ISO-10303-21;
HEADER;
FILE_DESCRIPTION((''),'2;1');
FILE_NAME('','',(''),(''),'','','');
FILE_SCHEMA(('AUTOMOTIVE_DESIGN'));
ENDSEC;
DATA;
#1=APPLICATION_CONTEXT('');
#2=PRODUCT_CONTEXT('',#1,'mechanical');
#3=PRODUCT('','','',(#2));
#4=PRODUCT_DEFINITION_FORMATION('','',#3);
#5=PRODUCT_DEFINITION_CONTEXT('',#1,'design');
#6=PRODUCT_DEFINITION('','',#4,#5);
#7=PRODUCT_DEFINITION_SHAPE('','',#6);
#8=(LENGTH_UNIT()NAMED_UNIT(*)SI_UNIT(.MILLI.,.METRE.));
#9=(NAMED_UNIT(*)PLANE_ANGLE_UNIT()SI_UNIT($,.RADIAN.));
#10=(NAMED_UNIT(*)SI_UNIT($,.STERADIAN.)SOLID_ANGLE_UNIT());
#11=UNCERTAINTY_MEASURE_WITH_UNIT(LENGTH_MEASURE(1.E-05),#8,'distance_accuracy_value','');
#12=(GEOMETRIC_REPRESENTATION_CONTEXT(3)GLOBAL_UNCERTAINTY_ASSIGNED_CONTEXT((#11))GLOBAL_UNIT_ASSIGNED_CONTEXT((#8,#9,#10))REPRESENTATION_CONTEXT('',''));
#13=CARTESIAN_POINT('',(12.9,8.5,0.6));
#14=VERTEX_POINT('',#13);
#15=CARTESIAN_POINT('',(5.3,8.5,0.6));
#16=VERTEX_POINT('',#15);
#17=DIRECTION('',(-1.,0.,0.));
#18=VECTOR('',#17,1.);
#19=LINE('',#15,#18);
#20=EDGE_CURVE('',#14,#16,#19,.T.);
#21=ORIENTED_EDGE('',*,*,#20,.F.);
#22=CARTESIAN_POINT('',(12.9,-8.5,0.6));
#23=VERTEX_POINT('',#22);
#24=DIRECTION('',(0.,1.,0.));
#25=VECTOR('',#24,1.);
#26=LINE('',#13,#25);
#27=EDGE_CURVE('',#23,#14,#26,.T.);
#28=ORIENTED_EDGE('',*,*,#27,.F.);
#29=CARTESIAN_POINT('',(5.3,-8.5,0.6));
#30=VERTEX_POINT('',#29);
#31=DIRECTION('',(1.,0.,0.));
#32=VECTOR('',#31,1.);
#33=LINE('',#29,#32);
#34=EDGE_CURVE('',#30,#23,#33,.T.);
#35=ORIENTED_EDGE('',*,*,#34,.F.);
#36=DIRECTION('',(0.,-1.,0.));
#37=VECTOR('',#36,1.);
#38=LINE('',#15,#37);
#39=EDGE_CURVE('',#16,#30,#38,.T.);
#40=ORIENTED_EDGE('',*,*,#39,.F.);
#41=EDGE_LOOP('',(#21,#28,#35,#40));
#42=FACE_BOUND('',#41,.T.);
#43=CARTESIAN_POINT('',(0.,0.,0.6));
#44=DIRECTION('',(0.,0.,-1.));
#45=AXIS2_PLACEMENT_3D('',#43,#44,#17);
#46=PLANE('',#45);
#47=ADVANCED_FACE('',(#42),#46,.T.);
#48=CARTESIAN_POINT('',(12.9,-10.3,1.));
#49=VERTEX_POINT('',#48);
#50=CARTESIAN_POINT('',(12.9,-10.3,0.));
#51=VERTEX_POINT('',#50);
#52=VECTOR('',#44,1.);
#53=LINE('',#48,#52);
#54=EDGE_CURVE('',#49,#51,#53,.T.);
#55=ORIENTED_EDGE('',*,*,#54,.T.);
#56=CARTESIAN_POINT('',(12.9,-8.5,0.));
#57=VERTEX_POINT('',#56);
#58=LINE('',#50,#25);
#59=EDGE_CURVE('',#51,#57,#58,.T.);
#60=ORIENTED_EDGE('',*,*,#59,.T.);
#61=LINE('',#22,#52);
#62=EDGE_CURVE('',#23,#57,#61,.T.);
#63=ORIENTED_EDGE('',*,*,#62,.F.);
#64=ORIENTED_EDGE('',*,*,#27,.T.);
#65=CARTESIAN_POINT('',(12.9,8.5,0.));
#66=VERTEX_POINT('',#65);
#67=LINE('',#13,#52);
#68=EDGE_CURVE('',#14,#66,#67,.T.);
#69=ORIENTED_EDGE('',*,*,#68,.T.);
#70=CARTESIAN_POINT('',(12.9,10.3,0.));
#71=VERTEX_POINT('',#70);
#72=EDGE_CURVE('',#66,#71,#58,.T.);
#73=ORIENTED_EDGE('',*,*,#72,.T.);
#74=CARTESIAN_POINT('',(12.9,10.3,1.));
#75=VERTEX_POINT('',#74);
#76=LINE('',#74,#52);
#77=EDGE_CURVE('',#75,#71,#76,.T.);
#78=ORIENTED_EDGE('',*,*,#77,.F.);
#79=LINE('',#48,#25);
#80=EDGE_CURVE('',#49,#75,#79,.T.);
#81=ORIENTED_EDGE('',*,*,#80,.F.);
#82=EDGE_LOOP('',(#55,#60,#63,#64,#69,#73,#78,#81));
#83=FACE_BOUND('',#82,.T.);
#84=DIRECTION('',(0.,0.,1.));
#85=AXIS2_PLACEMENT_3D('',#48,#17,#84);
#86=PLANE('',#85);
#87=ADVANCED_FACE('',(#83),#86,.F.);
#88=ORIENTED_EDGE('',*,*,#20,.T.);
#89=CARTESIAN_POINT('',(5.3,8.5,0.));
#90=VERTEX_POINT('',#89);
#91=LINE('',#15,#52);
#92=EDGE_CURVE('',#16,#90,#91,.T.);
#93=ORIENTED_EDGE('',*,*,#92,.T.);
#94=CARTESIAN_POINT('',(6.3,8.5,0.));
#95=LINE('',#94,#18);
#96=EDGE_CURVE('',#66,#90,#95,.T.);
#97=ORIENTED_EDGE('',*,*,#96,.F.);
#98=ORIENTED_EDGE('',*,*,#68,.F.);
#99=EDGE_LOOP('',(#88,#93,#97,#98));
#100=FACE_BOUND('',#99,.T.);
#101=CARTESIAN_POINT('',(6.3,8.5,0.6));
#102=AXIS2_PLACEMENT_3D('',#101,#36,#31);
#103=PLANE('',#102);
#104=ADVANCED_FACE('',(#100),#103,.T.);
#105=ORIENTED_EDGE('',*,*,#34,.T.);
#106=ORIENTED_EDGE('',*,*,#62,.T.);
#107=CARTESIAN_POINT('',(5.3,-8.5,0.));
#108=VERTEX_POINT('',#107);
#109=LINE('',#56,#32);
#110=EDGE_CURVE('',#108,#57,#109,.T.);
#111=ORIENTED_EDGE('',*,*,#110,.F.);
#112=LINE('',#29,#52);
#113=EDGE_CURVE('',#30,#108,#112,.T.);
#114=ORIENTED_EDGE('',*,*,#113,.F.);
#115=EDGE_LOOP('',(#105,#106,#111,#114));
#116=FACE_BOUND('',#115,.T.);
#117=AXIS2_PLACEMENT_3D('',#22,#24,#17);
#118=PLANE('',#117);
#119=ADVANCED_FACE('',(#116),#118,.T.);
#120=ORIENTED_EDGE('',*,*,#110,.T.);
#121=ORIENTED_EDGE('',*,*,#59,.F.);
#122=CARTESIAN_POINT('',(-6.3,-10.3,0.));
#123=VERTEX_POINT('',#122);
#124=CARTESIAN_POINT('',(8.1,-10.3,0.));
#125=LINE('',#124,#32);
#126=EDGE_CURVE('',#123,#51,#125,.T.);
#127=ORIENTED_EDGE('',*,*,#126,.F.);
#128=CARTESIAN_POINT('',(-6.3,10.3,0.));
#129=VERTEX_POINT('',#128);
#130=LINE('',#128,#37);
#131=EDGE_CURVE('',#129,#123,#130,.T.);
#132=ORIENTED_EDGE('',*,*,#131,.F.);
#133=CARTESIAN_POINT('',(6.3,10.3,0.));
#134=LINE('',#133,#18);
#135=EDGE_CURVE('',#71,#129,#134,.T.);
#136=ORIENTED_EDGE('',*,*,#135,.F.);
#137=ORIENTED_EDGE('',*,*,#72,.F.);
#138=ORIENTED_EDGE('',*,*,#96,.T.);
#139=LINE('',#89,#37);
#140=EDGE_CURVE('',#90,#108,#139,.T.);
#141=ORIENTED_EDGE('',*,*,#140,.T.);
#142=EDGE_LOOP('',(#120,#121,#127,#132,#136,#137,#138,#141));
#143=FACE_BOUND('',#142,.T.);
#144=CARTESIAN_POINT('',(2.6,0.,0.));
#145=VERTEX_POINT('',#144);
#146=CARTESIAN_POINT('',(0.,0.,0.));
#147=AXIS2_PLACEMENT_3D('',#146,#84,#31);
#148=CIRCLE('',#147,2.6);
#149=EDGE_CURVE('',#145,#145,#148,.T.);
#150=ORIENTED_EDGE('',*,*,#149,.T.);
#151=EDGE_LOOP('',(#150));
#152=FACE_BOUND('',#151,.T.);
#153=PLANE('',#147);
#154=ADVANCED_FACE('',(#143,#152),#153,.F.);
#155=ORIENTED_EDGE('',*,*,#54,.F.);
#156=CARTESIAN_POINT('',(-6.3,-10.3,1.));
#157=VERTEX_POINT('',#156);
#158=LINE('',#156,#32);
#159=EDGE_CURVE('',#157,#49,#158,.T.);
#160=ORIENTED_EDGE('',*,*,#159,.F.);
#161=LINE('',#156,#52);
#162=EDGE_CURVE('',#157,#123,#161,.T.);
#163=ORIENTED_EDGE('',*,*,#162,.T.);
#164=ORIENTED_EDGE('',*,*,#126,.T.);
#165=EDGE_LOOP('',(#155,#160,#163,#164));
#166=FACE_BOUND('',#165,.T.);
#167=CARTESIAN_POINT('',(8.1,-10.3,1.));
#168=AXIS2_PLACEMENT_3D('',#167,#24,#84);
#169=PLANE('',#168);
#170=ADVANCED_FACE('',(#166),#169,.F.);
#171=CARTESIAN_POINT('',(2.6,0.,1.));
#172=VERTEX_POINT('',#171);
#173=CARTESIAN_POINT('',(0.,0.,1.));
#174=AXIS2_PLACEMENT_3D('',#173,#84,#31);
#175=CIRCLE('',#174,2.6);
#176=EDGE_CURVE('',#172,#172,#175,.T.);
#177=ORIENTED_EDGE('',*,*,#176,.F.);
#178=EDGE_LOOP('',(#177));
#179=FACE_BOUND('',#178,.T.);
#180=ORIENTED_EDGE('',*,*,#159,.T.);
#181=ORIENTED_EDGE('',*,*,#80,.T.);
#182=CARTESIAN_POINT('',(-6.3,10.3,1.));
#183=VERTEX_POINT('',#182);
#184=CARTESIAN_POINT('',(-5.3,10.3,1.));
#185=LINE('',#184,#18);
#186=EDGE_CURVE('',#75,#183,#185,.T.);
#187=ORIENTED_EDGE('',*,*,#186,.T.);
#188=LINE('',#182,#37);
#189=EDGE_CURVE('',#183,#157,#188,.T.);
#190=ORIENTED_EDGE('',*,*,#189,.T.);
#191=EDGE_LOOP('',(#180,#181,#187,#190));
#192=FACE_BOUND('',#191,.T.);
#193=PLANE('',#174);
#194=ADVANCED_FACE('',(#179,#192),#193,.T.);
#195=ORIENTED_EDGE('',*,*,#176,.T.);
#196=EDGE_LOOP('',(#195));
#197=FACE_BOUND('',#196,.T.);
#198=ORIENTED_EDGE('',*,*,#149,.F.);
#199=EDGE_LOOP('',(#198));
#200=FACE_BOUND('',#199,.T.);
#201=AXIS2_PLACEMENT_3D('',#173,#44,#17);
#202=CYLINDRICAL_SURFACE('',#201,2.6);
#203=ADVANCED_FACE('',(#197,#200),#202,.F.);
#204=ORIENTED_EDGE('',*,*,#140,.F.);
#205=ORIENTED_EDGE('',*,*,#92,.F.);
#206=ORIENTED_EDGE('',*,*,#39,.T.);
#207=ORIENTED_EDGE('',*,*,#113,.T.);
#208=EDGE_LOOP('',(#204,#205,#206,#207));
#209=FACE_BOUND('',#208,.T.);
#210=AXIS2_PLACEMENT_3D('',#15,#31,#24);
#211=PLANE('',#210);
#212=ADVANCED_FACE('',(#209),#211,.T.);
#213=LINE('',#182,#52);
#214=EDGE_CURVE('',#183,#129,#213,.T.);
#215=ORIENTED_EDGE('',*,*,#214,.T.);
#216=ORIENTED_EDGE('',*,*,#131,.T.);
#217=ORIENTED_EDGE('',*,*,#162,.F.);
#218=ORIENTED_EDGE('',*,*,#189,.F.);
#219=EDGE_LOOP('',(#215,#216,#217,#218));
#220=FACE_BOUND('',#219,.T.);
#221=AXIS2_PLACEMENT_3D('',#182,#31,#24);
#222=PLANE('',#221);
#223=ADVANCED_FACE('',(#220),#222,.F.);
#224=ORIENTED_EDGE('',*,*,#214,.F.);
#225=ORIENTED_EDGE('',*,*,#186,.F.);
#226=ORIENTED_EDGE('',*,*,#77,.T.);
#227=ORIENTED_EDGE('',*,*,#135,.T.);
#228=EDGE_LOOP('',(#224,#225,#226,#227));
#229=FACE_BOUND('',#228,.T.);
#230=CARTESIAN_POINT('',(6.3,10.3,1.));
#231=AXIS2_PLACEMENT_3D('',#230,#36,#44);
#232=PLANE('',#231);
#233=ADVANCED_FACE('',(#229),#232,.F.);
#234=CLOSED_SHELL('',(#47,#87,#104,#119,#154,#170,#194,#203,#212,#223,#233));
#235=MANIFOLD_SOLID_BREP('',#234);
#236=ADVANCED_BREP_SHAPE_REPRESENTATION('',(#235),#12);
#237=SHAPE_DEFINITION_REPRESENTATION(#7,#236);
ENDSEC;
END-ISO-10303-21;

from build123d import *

# Parameters (mm, degrees)
SKETCH2_R           = 2.6
BOSS_EXTRUDE1_DEPTH = 1
CUT_EXTRUDE1_DEPTH  = 0.6


with BuildPart() as part:
    # Sketch2 → Boss-Extrude1 (new body)
    with BuildSketch(Plane.XY):
        Polygon((-6.3, 10.3), (-6.3, -10.3), (-5.3, -10.3), (6.3, -10.3), (8.1, -10.3), (12.9, -10.3), (12.9, 10.3), (8.1, 10.3), (6.3, 10.3), (-5.3, 10.3), align=None)
        Circle(SKETCH2_R, mode=Mode.SUBTRACT)
    extrude(amount=BOSS_EXTRUDE1_DEPTH)

    # Sketch3 → Cut-Extrude1 (cut)
    with BuildSketch(Plane.XY):
        Polygon((5.3, 8.5), (5.3, -8.5), (6.3, -8.5), (12.9, -8.5), (12.9, 8.5), (6.3, 8.5), align=None)
    extrude(amount=CUT_EXTRUDE1_DEPTH, mode=Mode.SUBTRACT)


solid = part.part
